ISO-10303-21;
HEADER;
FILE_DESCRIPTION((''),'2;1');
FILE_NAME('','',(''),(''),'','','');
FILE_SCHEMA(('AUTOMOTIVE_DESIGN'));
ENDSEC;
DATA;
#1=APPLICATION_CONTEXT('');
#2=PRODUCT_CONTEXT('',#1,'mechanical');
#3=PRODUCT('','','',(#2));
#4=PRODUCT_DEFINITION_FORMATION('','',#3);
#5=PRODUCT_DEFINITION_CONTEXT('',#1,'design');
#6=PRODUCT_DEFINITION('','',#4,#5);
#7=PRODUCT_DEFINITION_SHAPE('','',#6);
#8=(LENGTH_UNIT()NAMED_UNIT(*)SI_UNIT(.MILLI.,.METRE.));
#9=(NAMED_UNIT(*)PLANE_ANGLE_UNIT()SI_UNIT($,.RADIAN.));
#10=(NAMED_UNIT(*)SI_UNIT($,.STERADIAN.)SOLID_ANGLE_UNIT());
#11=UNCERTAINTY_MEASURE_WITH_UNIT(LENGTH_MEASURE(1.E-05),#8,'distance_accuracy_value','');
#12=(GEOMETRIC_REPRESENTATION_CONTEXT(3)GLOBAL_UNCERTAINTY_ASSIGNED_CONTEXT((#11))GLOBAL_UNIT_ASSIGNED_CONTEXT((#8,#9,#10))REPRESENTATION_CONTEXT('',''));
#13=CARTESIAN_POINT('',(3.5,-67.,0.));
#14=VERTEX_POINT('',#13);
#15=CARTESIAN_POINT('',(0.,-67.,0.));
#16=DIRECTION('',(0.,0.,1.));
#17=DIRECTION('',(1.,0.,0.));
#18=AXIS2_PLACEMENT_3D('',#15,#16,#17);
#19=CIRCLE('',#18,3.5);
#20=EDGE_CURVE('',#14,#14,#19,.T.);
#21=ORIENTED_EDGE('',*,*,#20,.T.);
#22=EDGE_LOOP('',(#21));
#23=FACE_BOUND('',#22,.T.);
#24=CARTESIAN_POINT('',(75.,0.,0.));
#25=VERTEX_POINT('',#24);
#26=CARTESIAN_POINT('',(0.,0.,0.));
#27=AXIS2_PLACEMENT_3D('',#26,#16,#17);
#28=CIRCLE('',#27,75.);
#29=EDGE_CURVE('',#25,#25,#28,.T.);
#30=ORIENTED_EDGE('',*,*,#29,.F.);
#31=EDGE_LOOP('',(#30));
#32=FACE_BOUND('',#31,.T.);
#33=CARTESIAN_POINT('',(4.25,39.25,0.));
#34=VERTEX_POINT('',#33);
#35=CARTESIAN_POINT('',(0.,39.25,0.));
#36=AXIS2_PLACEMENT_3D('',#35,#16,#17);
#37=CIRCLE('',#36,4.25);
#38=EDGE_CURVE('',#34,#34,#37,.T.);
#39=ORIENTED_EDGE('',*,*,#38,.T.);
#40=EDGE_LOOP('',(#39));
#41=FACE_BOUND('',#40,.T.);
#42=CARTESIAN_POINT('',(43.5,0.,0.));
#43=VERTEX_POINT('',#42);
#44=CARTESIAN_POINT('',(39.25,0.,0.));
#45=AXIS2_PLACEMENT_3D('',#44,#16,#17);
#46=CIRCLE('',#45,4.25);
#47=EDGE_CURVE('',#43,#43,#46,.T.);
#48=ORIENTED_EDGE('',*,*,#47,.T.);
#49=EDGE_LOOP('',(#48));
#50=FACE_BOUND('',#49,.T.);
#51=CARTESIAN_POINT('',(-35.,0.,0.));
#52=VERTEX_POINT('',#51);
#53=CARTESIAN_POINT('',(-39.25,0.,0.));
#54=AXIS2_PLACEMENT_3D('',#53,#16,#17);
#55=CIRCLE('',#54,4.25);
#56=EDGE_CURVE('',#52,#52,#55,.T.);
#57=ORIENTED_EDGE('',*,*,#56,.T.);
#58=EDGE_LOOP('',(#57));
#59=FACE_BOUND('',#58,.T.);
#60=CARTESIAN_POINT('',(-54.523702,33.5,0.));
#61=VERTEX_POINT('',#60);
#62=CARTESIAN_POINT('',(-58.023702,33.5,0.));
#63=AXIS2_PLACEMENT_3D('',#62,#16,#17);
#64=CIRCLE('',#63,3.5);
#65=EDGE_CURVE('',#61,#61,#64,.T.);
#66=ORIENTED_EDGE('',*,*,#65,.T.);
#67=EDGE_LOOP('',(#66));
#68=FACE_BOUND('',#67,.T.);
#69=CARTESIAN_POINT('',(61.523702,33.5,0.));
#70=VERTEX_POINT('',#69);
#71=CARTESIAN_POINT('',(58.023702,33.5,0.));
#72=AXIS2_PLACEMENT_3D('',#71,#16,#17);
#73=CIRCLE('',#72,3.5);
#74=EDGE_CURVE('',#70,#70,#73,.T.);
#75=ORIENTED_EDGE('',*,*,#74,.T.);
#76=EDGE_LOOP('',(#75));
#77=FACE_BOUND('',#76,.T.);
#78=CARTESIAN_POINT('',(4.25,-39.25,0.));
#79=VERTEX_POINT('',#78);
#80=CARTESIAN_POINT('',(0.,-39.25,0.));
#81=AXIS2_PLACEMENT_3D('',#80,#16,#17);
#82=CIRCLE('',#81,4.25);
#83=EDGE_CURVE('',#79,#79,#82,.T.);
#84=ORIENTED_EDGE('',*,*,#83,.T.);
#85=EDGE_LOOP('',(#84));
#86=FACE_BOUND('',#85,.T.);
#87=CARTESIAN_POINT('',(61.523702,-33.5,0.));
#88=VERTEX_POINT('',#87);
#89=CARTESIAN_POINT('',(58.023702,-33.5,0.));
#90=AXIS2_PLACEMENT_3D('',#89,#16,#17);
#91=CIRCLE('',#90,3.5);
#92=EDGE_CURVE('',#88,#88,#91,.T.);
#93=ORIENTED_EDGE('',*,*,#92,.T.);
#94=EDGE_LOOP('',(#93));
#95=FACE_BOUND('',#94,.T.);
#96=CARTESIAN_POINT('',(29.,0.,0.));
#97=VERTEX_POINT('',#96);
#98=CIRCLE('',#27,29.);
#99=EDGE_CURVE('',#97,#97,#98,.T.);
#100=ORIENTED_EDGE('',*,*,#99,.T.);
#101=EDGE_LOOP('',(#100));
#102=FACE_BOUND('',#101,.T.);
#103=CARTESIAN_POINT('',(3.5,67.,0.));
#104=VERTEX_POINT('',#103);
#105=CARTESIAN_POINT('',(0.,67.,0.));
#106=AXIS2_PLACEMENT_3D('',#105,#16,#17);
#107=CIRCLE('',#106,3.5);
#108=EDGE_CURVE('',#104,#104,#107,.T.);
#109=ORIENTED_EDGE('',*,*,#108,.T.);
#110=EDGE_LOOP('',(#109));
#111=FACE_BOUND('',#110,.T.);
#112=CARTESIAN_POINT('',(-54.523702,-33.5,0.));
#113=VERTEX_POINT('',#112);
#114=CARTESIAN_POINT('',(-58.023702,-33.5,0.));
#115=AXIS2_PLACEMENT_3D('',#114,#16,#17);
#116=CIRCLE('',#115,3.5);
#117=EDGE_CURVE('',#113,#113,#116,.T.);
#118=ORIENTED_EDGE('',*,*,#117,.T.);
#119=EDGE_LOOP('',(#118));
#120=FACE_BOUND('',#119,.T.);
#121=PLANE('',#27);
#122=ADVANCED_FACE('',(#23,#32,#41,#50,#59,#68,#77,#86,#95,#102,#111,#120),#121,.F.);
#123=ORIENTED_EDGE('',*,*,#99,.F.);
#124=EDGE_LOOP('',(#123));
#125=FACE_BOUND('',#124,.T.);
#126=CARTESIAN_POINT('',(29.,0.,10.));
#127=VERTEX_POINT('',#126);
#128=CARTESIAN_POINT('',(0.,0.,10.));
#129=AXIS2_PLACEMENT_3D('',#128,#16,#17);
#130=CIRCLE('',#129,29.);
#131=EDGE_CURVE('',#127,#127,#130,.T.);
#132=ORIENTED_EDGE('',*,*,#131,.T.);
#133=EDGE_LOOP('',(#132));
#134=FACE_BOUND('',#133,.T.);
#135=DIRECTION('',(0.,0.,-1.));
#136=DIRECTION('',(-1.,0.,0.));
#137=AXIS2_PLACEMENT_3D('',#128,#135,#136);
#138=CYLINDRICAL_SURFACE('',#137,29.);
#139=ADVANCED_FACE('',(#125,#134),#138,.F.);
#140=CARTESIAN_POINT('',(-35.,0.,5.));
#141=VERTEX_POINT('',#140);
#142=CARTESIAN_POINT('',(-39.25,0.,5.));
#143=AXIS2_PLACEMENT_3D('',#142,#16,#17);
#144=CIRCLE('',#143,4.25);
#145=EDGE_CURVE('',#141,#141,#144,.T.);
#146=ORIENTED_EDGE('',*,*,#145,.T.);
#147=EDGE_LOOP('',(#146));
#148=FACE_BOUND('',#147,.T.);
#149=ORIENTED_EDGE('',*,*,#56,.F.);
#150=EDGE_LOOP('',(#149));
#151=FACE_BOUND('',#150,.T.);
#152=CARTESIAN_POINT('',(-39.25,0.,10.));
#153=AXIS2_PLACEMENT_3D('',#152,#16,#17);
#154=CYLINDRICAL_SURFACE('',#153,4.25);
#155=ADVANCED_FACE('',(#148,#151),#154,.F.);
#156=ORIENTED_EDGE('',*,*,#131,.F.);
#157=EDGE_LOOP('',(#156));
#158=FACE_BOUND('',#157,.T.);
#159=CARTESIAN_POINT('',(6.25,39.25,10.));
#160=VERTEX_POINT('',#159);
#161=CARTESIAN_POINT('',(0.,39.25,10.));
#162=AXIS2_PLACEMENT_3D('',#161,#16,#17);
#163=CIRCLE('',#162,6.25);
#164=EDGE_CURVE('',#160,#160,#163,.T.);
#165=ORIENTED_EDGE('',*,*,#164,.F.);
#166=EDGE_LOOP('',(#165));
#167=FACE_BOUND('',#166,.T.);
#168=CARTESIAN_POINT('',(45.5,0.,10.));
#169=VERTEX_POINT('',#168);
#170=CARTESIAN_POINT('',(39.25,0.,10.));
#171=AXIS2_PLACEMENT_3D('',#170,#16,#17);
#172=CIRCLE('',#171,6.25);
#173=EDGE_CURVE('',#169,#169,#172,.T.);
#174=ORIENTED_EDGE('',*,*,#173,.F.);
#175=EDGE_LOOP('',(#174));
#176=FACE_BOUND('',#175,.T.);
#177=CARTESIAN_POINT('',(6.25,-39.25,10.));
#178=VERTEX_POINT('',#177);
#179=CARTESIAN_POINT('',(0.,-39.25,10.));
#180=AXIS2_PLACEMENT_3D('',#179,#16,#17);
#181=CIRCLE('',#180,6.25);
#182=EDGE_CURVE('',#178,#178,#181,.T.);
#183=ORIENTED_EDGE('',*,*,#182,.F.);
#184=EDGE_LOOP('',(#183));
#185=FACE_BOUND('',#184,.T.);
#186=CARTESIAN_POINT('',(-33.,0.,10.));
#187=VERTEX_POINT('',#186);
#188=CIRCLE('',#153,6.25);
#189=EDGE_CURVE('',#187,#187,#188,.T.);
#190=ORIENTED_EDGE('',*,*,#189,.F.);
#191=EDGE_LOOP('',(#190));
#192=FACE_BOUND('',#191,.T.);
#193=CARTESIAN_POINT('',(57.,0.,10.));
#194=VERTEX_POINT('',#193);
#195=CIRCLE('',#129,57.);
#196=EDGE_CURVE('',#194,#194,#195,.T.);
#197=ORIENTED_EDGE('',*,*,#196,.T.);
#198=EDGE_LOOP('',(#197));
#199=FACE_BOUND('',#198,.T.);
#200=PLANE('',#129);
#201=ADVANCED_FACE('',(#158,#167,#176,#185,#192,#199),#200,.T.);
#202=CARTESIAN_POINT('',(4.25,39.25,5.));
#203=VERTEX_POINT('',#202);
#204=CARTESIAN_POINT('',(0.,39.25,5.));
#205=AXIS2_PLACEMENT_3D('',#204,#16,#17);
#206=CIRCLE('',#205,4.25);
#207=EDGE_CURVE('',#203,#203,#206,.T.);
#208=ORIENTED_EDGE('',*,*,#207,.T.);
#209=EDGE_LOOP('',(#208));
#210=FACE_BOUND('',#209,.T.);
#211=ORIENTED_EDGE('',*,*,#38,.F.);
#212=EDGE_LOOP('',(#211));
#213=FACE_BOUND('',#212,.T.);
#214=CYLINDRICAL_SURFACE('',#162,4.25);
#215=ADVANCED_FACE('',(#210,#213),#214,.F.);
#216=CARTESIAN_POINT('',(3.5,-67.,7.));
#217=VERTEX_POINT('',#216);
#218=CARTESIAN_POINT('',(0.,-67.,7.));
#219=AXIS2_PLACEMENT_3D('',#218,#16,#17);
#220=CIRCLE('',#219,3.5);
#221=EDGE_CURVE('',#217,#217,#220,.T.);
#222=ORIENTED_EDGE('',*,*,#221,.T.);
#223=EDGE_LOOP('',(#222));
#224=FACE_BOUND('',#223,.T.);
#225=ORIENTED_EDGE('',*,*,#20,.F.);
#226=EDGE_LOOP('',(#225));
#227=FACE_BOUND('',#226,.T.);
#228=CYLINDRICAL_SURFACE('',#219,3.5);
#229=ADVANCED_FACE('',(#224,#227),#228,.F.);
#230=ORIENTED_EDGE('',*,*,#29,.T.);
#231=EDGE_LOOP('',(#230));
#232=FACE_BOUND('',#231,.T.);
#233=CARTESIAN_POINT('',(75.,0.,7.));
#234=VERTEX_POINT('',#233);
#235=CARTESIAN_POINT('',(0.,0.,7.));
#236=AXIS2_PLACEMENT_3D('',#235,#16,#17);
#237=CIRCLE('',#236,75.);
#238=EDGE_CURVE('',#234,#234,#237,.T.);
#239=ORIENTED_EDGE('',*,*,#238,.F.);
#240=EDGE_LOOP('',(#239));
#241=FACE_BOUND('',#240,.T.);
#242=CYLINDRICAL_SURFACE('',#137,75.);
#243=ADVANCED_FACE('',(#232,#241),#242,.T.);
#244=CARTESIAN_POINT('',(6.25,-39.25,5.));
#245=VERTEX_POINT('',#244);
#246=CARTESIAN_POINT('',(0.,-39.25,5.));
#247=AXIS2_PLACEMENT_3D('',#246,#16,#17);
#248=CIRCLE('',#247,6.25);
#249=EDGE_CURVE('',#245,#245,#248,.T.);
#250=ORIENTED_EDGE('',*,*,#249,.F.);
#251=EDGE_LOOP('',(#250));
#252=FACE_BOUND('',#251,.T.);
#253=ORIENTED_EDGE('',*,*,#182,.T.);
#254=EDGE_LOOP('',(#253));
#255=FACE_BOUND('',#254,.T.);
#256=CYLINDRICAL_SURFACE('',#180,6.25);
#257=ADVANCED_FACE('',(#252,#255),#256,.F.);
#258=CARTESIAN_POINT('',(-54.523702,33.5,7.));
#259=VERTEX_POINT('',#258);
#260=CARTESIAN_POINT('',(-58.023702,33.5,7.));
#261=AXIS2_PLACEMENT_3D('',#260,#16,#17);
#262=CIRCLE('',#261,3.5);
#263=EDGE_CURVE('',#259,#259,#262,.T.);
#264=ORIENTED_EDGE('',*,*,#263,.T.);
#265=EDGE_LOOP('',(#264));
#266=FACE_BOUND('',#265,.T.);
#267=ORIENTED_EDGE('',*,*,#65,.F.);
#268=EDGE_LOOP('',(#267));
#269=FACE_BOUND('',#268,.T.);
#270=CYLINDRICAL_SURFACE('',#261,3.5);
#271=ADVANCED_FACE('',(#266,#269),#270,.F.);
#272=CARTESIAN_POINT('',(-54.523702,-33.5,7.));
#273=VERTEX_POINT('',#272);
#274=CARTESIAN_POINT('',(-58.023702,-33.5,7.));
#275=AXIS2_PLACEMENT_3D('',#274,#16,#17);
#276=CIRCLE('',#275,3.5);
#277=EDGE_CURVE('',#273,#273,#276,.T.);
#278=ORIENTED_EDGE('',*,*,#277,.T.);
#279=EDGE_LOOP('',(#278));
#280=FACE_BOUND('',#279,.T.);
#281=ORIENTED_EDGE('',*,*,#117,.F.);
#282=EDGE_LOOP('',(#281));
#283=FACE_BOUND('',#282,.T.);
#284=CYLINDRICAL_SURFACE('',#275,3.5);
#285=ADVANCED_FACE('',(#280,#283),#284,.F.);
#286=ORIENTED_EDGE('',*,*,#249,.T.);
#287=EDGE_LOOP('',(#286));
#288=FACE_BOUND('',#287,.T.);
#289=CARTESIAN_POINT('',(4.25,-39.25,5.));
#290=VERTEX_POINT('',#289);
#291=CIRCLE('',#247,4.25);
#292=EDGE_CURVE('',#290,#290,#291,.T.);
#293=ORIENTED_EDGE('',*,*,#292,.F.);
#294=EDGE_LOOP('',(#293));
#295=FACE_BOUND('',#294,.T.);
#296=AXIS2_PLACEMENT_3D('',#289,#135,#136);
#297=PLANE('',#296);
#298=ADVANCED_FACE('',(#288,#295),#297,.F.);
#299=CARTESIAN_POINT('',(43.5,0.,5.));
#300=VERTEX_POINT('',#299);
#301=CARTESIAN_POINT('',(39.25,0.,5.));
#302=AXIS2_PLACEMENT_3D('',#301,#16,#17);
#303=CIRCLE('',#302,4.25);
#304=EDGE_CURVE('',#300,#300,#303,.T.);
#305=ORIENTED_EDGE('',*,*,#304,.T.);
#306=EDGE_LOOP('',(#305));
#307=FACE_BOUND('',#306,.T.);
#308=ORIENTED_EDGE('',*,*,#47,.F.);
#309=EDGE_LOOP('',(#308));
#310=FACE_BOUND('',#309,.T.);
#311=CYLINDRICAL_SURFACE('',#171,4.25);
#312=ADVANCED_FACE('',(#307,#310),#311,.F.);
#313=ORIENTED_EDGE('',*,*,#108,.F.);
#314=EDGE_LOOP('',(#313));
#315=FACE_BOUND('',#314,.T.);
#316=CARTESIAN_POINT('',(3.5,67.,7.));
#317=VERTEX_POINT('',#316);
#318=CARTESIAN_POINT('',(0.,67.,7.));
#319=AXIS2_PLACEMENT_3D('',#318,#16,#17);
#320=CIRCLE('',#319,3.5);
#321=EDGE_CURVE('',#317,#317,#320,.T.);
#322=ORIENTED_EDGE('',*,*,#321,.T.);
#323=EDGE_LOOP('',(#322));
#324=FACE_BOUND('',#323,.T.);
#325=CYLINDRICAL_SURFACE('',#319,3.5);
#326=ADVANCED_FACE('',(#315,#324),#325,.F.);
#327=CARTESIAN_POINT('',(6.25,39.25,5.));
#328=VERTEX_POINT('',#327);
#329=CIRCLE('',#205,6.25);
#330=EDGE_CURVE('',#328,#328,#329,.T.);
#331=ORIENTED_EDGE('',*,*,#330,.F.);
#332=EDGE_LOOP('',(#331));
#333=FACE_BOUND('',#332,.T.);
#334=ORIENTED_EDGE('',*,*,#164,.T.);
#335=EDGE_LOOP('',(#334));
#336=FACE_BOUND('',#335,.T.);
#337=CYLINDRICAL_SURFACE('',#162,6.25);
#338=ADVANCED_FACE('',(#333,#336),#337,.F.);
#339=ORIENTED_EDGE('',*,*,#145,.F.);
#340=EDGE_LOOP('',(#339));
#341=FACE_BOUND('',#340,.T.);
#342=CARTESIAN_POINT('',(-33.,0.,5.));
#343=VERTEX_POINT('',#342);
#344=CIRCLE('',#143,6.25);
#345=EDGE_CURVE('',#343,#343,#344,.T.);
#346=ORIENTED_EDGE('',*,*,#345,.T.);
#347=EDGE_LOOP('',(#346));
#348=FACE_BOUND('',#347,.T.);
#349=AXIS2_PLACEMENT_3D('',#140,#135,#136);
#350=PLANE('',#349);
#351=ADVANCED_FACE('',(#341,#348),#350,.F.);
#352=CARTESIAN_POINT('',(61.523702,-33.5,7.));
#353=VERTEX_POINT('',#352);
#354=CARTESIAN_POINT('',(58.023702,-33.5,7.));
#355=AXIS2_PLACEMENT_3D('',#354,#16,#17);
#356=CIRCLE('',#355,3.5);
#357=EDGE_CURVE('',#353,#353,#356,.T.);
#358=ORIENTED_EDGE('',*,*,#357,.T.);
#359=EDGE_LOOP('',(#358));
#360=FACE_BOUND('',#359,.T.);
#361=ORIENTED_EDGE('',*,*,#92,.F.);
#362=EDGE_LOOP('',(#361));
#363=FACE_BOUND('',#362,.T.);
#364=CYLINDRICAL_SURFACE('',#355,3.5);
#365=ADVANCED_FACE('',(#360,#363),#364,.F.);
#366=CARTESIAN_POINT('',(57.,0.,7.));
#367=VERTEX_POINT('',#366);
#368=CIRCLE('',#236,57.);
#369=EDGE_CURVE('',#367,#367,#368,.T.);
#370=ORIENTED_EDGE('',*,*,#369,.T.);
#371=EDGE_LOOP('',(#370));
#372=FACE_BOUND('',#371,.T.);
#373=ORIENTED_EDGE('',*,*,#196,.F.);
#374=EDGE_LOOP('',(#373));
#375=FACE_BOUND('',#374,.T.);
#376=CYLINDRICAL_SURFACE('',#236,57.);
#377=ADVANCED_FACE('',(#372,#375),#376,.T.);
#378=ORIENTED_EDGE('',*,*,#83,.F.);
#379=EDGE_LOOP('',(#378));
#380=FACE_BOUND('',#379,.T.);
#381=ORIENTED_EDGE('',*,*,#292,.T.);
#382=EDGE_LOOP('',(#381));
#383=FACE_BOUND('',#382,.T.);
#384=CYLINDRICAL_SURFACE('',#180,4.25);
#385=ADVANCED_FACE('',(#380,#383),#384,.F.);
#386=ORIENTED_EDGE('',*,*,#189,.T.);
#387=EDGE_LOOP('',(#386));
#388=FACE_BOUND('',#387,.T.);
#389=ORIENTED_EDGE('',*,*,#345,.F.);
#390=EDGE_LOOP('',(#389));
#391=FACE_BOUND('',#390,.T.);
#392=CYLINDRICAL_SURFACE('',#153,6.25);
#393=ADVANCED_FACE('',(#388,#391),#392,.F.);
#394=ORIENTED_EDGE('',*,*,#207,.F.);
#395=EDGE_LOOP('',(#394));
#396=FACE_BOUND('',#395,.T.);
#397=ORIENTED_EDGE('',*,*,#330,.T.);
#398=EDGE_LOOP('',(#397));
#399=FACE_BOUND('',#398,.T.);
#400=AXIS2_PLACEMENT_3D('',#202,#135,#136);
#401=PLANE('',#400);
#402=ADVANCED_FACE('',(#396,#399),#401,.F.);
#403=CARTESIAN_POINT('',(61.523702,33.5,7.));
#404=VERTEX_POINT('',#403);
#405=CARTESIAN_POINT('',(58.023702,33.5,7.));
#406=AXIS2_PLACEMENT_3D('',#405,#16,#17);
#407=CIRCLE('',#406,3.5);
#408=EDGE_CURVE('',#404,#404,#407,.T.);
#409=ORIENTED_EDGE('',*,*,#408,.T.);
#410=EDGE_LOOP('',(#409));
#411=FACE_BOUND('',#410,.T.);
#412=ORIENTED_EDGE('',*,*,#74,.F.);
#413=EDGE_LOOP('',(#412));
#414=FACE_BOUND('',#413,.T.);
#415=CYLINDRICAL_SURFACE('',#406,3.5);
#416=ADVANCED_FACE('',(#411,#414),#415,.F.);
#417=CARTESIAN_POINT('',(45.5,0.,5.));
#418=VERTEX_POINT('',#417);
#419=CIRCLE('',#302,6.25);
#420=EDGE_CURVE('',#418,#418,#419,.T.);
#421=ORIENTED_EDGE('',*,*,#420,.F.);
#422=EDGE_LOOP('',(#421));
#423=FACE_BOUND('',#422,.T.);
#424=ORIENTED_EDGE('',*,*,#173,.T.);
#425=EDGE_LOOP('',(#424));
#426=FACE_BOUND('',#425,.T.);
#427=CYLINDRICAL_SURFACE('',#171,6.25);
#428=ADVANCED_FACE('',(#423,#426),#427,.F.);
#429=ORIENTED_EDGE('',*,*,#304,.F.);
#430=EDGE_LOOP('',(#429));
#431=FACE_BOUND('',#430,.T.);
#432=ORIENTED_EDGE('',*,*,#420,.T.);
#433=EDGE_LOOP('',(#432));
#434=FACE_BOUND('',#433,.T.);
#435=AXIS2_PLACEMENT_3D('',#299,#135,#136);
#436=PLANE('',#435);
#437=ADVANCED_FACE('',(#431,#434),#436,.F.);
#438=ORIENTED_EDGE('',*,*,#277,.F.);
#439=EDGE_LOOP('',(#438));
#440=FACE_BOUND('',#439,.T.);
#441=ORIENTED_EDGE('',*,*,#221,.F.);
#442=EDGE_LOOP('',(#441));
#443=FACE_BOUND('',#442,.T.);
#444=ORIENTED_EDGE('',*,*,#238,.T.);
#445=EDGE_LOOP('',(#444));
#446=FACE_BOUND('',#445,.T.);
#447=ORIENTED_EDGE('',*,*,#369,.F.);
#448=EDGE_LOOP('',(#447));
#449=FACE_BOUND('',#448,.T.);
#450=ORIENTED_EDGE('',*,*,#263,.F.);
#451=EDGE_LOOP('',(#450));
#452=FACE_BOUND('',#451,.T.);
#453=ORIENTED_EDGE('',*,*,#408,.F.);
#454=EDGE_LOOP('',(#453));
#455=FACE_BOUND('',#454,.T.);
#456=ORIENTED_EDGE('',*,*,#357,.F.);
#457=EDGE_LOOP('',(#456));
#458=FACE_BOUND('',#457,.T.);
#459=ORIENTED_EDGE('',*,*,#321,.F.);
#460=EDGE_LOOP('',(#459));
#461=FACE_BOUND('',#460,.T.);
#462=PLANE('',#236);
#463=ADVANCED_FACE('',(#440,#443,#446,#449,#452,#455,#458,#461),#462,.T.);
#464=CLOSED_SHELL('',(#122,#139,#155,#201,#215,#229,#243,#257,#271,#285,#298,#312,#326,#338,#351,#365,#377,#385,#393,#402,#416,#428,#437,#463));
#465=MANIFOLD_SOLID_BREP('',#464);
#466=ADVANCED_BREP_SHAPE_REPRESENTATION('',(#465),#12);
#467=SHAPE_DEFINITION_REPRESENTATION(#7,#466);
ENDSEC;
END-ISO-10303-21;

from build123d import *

# Parameters (mm, degrees)
SKETCH1_R           = 75
SKETCH1_R_2         = 29
BOSS_EXTRUDE1_DEPTH = 10
SKETCH2_R           = 84.502985649
SKETCH2_R_2         = 57
CUT_EXTRUDE2_DEPTH  = 3
HOLE1_D             = 8.5
HOLE1_CBORE_D       = 12.5
HOLE1_CBORE_DEPTH   = 5
CIRPATTERN1_COUNT   = 4
HOLE2_D             = 7
CIRPATTERN2_COUNT   = 6


with BuildPart() as part:
    # Sketch1 → Boss-Extrude1 (new body)
    with BuildSketch(Plane.XY):
        Circle(SKETCH1_R)
        Circle(SKETCH1_R_2, mode=Mode.SUBTRACT)
    extrude(amount=BOSS_EXTRUDE1_DEPTH)

    # Sketch2 → Cut-Extrude2 (cut)
    with BuildSketch(Plane.XY.offset(10)):
        Circle(SKETCH2_R)
        Circle(SKETCH2_R_2, mode=Mode.SUBTRACT)
    extrude(amount=-CUT_EXTRUDE2_DEPTH, mode=Mode.SUBTRACT)

    # Hole1 (through all)
    with Locations(Plane(origin=(0, 39.25, 10), x_dir=(1, 0, 0), z_dir=(0, 0, 1))):
        with Locations((0, 0)):
            hole1 = CounterBoreHole(HOLE1_D / 2, HOLE1_CBORE_D / 2, HOLE1_CBORE_DEPTH)

    # CirPattern1: Hole1 ×4 about axis
    cirpattern1_axis = Axis((0, 0, 0), (0, 0, 1))
    for i in range(1, CIRPATTERN1_COUNT):
        add(hole1.rotate(cirpattern1_axis, i * 360 / CIRPATTERN1_COUNT), mode=Mode.SUBTRACT)

    # Hole2 (through all)
    with Locations(Plane.XY.offset(7)):
        with Locations((0, 67)):
            hole2 = Hole(HOLE2_D / 2)

    # CirPattern2: Hole2 ×6 about axis
    cirpattern2_axis = Axis((0, 0, 0), (0, 0, 1))
    for i in range(1, CIRPATTERN2_COUNT):
        add(hole2.rotate(cirpattern2_axis, i * 360 / CIRPATTERN2_COUNT), mode=Mode.SUBTRACT)


solid = part.part
